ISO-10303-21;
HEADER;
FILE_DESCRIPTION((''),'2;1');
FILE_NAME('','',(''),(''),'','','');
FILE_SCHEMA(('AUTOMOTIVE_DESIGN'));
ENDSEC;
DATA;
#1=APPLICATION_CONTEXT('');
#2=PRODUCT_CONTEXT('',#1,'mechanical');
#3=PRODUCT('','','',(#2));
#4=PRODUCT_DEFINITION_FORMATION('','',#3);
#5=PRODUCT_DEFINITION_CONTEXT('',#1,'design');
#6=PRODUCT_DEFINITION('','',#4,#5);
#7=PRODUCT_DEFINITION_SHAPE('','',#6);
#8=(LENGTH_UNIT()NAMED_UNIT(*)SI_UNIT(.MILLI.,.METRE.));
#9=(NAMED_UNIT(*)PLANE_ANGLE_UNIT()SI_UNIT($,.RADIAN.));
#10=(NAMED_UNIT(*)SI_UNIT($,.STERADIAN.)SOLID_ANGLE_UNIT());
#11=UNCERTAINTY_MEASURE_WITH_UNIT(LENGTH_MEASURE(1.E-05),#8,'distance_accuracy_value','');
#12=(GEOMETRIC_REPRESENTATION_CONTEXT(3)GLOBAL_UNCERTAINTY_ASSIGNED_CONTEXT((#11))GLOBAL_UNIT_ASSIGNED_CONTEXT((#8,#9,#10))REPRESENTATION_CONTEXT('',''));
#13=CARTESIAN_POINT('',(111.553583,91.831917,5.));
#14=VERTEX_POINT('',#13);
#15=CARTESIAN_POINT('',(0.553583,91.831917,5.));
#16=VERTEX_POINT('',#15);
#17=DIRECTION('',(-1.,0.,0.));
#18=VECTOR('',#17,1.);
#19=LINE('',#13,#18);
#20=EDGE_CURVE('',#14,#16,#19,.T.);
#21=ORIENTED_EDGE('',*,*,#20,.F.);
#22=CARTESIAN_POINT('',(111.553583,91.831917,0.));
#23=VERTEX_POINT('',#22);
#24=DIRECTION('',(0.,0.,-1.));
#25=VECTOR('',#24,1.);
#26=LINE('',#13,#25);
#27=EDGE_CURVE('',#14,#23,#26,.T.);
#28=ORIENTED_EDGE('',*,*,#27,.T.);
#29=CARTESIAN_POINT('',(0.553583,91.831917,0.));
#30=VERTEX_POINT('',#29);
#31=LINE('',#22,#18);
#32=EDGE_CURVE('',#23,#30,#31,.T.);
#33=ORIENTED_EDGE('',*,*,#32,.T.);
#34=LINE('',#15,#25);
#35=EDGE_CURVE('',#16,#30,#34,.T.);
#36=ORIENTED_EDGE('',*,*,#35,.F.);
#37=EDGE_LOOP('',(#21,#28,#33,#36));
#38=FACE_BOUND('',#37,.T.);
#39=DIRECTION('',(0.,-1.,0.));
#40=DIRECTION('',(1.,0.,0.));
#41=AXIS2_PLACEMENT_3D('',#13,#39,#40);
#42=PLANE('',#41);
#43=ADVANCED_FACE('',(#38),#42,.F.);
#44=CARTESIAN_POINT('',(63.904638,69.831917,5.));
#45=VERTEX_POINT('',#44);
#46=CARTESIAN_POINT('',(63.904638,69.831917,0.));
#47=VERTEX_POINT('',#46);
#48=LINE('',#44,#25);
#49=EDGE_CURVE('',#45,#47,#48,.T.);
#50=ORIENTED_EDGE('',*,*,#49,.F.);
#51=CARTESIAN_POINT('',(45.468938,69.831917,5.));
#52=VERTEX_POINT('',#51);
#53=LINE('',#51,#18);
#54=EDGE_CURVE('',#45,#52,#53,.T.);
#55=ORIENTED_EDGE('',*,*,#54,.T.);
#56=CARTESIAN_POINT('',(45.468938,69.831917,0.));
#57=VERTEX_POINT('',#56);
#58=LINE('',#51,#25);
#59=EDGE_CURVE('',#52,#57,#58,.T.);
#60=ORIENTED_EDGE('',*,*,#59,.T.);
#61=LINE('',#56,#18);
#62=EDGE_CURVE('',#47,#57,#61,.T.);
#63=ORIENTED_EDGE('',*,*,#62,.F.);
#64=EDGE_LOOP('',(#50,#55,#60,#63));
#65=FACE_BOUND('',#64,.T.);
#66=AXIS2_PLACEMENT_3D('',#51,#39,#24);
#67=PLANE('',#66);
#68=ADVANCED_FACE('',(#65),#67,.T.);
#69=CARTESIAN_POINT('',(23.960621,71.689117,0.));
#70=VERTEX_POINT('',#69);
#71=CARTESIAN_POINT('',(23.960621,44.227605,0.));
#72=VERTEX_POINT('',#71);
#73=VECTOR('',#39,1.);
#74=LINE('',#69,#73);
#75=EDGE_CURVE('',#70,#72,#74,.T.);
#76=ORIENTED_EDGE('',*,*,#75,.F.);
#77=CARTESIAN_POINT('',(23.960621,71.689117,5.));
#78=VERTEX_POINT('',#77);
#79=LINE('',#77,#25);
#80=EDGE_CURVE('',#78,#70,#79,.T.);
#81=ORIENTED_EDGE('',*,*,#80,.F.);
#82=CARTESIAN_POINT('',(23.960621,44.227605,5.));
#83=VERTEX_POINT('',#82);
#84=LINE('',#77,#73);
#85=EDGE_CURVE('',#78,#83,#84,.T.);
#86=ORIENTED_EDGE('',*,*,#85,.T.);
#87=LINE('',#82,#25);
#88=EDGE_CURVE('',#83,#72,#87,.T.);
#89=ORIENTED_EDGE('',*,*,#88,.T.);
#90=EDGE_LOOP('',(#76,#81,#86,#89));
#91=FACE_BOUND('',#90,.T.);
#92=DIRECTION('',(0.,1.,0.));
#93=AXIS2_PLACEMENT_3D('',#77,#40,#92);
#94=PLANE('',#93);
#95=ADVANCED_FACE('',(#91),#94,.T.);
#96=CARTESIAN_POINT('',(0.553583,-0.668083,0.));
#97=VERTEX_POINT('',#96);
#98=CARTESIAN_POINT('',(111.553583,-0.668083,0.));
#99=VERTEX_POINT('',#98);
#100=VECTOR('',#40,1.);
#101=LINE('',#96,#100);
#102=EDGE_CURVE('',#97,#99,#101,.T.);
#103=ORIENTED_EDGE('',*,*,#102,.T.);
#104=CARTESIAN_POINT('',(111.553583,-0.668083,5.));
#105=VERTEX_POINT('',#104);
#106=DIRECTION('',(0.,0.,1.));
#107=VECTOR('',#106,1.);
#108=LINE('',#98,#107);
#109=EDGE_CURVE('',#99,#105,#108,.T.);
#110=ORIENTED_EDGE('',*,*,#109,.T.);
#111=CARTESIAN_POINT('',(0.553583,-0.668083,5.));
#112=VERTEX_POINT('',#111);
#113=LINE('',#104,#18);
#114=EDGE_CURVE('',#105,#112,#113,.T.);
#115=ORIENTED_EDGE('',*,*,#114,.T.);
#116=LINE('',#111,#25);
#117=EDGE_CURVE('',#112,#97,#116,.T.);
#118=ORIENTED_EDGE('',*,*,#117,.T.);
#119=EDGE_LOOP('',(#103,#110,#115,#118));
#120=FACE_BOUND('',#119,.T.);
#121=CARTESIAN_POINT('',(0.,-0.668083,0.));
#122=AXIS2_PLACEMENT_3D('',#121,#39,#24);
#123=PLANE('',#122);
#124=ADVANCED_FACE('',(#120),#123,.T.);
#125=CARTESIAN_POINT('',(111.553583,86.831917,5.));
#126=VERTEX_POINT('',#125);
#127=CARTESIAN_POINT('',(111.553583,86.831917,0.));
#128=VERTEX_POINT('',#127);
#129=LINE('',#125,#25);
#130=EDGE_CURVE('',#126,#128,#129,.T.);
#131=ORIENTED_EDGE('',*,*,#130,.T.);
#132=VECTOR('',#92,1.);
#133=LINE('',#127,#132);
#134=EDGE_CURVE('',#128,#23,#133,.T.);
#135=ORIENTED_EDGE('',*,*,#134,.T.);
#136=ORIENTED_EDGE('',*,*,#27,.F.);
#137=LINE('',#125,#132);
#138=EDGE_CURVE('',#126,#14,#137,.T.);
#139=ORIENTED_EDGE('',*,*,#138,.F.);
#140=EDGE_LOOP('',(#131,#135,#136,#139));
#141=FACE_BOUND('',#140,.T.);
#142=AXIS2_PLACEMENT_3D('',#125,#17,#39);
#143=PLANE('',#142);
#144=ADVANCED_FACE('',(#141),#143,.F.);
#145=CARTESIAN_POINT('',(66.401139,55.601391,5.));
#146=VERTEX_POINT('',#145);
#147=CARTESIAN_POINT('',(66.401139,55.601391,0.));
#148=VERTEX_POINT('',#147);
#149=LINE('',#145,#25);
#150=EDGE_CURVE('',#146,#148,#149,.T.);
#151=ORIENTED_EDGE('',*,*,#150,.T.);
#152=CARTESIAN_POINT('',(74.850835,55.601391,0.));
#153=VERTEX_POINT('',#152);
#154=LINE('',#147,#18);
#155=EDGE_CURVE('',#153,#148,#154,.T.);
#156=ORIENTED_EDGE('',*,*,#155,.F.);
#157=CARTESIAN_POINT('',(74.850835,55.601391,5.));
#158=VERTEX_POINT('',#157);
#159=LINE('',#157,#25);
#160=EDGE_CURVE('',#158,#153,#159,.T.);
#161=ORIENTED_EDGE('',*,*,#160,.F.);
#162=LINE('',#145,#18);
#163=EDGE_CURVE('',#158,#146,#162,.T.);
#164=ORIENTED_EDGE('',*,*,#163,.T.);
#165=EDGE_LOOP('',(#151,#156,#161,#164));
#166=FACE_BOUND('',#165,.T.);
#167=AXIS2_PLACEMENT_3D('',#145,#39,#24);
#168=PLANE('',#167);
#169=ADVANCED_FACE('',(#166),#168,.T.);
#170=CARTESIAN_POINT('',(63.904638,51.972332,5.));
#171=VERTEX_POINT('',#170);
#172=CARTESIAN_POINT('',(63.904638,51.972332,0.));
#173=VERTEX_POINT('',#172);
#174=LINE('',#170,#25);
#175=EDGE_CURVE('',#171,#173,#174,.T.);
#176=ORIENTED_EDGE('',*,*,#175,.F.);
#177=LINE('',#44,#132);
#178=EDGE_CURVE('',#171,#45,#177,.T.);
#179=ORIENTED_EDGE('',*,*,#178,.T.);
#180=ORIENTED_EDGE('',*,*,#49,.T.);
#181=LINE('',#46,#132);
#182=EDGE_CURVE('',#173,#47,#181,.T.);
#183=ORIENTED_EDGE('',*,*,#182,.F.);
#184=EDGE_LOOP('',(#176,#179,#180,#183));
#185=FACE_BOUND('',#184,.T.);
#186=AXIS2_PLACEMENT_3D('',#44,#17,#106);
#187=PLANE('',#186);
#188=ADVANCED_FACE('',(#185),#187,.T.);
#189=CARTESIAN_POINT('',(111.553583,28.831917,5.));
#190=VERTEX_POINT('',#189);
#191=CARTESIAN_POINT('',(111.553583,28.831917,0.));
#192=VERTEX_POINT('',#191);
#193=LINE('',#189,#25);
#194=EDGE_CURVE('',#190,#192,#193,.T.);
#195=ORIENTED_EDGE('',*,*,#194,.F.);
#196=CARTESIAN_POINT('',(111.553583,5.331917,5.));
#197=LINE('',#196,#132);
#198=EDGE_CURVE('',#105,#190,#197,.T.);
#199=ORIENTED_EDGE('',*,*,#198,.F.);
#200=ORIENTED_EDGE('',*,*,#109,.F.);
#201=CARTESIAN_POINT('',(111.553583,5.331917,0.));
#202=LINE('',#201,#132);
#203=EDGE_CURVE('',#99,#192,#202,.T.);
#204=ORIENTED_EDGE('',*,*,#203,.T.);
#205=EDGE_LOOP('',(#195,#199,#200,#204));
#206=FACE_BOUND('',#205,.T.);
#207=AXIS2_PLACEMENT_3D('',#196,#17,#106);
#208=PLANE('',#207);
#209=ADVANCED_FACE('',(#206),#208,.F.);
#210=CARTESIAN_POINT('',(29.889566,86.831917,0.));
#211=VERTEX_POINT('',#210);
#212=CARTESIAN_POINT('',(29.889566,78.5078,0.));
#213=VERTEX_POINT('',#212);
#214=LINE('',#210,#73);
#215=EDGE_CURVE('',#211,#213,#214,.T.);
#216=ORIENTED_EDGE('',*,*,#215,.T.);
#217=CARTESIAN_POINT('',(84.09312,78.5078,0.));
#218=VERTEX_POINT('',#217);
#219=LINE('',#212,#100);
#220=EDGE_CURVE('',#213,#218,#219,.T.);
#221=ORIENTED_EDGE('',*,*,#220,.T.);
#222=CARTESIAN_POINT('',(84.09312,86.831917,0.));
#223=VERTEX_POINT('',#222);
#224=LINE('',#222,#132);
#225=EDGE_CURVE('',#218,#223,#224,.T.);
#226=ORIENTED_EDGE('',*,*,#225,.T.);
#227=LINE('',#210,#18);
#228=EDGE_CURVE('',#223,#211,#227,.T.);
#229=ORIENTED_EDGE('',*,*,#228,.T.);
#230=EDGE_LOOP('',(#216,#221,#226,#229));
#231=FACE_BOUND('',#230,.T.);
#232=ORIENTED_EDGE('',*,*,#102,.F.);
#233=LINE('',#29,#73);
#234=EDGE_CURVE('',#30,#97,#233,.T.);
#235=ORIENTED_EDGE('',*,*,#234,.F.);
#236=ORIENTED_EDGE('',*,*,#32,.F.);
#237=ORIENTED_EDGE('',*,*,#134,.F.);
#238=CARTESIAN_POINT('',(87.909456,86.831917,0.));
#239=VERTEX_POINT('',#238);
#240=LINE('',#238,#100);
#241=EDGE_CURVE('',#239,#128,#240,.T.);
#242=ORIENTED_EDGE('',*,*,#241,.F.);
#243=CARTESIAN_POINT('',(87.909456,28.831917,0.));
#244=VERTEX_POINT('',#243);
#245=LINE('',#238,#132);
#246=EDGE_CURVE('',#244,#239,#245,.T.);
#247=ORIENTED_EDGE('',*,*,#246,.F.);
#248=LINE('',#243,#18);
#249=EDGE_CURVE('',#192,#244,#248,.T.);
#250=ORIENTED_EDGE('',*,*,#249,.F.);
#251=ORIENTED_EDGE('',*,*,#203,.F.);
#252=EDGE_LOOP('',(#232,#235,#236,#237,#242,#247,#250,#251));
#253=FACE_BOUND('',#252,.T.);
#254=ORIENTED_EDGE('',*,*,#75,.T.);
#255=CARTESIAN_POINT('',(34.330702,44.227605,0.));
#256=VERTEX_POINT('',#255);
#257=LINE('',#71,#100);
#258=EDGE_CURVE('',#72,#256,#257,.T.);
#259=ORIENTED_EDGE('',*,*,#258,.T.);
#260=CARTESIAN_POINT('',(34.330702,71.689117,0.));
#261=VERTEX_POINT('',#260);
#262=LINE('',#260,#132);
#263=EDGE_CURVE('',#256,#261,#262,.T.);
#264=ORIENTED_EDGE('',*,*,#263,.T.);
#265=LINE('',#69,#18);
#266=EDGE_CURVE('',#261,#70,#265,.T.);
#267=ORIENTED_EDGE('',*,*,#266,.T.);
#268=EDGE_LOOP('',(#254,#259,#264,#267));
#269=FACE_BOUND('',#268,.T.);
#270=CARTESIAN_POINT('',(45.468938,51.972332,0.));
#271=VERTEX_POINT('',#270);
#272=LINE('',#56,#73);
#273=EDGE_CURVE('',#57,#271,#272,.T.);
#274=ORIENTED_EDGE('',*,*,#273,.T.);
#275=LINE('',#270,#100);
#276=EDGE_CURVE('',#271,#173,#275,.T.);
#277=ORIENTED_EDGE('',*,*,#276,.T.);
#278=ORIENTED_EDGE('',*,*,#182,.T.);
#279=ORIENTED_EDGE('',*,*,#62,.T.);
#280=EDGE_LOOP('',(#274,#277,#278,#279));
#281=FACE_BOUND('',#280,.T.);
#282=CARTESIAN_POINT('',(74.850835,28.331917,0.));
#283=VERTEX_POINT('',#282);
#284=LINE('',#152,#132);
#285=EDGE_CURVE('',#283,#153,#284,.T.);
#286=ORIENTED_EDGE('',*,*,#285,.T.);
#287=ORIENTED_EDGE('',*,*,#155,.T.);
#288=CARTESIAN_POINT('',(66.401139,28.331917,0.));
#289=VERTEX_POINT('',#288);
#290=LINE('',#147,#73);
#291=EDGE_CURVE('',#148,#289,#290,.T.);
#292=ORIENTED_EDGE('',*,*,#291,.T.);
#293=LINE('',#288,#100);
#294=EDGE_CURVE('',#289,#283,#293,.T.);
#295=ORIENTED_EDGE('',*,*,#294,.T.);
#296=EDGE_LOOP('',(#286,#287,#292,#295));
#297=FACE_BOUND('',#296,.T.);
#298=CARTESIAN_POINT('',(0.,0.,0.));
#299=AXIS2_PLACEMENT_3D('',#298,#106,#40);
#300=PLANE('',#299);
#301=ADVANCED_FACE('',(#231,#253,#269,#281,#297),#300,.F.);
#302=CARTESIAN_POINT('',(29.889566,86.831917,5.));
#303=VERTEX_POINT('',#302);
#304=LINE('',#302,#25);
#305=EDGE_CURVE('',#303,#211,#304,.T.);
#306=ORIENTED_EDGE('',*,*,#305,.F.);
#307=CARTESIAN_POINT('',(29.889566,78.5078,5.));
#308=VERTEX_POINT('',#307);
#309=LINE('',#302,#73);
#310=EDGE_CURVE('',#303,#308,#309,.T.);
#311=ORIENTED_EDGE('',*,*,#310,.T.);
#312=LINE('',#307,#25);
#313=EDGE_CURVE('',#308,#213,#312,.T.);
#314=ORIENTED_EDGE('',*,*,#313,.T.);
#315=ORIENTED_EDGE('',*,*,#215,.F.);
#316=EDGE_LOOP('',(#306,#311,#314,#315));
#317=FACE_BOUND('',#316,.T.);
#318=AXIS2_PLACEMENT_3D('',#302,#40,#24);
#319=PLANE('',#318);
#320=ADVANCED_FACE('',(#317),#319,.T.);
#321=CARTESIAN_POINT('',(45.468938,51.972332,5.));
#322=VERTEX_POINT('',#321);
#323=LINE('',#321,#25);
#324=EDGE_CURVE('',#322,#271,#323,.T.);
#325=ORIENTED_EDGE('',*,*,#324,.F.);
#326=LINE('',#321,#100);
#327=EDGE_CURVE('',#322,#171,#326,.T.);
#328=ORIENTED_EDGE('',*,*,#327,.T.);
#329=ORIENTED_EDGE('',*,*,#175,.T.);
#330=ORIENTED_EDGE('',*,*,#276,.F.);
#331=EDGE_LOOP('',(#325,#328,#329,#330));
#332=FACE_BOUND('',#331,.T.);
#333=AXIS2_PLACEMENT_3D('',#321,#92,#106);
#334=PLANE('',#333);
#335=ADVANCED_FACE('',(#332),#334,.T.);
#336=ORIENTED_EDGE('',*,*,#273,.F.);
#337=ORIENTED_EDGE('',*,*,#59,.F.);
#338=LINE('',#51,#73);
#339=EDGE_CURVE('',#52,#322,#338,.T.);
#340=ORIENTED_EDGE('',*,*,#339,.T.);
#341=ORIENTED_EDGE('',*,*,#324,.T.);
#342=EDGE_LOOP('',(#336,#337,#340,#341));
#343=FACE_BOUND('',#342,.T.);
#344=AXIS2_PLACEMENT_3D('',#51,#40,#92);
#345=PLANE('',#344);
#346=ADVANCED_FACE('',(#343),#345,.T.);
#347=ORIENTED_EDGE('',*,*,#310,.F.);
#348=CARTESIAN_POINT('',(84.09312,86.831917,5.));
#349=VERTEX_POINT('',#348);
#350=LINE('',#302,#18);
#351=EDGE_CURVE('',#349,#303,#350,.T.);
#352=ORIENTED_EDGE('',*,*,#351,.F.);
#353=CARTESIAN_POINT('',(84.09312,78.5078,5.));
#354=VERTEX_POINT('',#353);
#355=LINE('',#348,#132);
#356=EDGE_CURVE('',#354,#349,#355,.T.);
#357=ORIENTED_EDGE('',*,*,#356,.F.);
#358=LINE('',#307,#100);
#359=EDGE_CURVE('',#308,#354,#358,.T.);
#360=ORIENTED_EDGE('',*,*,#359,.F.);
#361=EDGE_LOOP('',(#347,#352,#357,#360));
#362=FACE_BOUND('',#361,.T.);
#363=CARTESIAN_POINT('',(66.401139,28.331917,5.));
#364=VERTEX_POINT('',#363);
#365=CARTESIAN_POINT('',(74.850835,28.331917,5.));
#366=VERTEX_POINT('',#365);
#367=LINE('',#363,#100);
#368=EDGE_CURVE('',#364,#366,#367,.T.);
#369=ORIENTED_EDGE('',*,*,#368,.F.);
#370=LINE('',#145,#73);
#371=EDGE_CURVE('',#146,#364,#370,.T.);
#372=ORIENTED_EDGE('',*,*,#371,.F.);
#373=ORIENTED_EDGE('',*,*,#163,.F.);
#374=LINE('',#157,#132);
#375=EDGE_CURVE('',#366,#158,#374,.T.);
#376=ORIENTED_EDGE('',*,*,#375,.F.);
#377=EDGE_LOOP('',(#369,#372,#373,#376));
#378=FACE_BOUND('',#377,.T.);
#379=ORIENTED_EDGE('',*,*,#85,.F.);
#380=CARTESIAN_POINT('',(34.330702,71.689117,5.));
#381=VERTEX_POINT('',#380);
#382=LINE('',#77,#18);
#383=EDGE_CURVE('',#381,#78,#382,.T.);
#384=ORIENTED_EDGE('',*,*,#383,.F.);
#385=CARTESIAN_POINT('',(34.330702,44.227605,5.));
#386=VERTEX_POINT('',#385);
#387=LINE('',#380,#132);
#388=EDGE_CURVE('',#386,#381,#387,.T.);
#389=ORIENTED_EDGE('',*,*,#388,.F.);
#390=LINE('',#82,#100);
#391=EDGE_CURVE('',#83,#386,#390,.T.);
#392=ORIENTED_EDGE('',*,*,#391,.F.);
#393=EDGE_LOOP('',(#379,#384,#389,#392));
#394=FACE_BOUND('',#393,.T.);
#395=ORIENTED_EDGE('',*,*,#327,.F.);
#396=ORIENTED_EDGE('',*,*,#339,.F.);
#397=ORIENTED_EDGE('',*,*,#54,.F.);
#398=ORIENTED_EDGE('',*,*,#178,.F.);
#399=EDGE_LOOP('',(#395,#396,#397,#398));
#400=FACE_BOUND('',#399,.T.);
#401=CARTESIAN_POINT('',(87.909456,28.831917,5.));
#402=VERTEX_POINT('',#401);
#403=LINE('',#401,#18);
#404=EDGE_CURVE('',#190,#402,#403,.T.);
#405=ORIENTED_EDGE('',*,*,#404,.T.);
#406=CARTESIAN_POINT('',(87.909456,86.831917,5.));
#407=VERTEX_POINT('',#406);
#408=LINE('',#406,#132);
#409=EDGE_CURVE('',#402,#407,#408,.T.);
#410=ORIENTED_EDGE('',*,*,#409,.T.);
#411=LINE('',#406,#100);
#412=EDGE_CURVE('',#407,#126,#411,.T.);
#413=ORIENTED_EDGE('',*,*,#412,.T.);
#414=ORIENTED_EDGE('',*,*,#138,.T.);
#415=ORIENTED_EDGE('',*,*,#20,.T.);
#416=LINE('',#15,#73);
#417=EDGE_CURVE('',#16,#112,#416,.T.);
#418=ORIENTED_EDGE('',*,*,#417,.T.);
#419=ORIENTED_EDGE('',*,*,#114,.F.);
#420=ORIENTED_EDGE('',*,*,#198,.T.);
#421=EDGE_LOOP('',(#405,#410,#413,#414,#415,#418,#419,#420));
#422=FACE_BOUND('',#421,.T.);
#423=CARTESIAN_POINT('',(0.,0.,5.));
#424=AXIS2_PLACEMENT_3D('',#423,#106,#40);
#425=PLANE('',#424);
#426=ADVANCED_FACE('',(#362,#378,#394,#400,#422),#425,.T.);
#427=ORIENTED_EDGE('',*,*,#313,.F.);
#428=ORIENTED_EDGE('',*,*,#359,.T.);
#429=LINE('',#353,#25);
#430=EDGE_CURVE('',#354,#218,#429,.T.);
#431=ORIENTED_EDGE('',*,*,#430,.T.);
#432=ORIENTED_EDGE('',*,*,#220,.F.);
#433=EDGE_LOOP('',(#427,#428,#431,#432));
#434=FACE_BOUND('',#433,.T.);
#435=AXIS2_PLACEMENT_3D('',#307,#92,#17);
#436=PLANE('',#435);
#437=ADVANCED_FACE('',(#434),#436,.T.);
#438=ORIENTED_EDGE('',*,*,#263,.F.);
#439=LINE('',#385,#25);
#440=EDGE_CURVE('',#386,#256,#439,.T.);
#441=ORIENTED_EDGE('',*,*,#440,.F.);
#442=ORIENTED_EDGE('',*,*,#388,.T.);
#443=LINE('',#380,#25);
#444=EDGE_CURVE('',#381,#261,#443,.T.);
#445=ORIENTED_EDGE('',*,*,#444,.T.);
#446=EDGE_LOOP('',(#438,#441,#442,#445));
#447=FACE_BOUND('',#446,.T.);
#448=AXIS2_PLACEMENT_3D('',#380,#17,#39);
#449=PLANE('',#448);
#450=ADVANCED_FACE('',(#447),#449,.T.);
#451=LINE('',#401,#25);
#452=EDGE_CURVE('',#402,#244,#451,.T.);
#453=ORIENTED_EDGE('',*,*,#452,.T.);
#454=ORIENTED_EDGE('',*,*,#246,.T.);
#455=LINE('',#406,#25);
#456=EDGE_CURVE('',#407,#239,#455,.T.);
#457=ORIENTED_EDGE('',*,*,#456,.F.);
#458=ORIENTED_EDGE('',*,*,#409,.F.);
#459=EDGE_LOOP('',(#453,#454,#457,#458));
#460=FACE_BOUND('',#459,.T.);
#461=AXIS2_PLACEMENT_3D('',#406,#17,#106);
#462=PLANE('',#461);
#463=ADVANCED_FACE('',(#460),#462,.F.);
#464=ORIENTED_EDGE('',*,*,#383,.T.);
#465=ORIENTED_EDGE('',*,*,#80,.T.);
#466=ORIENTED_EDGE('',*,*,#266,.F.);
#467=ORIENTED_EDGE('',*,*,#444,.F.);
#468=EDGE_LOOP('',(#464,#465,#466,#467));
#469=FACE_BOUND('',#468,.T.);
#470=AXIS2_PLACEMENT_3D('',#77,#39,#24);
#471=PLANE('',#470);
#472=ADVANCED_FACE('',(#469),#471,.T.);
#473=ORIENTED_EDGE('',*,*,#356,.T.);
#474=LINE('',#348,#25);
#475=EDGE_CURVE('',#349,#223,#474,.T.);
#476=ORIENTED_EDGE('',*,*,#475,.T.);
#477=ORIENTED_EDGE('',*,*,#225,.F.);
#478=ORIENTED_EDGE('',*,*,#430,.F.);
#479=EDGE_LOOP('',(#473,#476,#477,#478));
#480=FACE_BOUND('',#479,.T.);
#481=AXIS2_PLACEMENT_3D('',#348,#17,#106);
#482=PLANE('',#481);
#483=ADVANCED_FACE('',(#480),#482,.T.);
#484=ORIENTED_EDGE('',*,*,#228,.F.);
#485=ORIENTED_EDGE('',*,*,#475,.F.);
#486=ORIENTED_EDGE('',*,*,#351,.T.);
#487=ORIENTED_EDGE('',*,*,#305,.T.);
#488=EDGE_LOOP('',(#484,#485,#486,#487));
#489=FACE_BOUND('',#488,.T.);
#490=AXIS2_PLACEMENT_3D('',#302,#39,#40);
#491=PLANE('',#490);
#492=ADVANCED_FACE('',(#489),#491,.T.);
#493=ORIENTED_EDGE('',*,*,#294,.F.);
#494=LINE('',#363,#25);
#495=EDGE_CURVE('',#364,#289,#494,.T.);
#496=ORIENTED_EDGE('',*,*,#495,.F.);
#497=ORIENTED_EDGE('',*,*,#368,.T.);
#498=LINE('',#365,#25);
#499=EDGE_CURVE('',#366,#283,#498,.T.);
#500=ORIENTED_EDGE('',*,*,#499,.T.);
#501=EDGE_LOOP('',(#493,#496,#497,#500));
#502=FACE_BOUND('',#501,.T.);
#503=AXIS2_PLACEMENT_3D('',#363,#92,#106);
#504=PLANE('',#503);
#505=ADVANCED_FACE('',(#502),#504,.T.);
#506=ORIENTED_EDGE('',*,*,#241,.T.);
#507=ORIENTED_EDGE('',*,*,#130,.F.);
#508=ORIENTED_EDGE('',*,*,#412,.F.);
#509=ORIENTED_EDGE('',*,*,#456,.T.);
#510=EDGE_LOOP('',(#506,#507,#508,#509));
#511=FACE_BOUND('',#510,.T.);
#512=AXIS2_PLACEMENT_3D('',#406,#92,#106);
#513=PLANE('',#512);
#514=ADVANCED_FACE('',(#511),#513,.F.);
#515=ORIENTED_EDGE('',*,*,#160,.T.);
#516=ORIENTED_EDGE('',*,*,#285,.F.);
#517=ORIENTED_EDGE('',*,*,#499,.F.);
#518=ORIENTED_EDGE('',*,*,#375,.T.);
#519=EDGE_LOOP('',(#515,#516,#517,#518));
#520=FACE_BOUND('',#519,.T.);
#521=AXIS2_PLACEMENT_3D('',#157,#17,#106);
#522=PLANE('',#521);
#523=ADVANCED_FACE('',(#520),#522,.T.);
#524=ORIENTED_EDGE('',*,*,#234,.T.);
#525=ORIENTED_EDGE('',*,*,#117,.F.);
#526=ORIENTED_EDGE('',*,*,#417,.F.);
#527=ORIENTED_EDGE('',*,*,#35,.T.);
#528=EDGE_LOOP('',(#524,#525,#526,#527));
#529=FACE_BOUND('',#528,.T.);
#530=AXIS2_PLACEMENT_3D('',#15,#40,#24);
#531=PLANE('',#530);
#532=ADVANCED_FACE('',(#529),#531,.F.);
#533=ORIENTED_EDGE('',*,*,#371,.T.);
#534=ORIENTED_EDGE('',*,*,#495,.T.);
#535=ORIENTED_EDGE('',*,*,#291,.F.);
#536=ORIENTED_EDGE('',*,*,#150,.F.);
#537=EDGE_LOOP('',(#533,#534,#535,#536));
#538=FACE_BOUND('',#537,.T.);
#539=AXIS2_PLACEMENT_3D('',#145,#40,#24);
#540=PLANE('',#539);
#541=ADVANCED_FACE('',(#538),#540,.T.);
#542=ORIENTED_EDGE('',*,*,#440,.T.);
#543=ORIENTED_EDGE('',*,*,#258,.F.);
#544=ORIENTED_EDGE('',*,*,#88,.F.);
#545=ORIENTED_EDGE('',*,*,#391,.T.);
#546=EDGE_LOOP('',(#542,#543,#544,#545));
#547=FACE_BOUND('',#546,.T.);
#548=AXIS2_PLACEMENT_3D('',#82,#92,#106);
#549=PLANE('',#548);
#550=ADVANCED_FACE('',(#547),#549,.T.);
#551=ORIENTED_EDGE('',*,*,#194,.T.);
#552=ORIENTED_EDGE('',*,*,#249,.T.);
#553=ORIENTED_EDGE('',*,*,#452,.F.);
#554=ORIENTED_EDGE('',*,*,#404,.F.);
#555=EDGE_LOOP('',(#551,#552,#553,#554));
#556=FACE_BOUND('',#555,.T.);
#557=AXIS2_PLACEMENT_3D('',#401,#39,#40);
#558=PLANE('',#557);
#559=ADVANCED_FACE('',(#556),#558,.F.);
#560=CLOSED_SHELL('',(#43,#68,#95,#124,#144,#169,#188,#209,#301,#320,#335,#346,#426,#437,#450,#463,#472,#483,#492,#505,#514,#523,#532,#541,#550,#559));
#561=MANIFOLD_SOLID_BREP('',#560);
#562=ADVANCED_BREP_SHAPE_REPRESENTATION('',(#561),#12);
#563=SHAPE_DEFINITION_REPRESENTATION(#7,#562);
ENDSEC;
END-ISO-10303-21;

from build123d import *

# Parameters (mm, degrees)
CROQUIS1_W              = 54.203553954
CROQUIS1_H              = 8.324117214
CROQUIS1_W_2            = 10.370081464
CROQUIS1_H_2            = 27.461512026
CROQUIS1_W_3            = 8.449696009
CROQUIS1_H_3            = 27.269473481
CROQUIS1_W_4            = 18.435700381
CROQUIS1_H_4            = 17.859584744
SALIENTE_EXTRUIR1_DEPTH = 5
CROQUIS3_W              = 111
CROQUIS3_H              = 5
SALIENTE_EXTRUIR2_DEPTH = 6


with BuildPart() as part:
    # Croquis1 → Saliente-Extruir1 (new body)
    with BuildSketch(Plane.XY):
        Polygon((0.553582562, 91.831917191), (0.553582562, 5.331917191), (111.553582562, 5.331917191), (111.553582562, 28.831917191), (87.909456329, 28.831917191), (87.909456329, 86.831917191), (111.553582562, 86.831917191), (111.553582562, 91.831917191), align=None)
        with Locations((56.991342937, 82.669858584)):
            Rectangle(CROQUIS1_W, CROQUIS1_H, mode=Mode.SUBTRACT)
        with Locations((29.145661363, 57.958361113)):
            Rectangle(CROQUIS1_W_2, CROQUIS1_H_2, mode=Mode.SUBTRACT)
        with Locations((70.625987221, 41.966653932)):
            Rectangle(CROQUIS1_W_3, CROQUIS1_H_3, mode=Mode.SUBTRACT)
        with Locations((54.686787933, 60.902124819)):
            Rectangle(CROQUIS1_W_4, CROQUIS1_H_4, mode=Mode.SUBTRACT)
    extrude(amount=SALIENTE_EXTRUIR1_DEPTH)

    # Croquis3 → Saliente-Extruir2 (add)
    with BuildSketch(Plane.XZ.offset(-5.331917191)):
        with Locations((56.053582562, 2.5)):
            Rectangle(CROQUIS3_W, CROQUIS3_H)
    extrude(amount=SALIENTE_EXTRUIR2_DEPTH)


solid = part.part
